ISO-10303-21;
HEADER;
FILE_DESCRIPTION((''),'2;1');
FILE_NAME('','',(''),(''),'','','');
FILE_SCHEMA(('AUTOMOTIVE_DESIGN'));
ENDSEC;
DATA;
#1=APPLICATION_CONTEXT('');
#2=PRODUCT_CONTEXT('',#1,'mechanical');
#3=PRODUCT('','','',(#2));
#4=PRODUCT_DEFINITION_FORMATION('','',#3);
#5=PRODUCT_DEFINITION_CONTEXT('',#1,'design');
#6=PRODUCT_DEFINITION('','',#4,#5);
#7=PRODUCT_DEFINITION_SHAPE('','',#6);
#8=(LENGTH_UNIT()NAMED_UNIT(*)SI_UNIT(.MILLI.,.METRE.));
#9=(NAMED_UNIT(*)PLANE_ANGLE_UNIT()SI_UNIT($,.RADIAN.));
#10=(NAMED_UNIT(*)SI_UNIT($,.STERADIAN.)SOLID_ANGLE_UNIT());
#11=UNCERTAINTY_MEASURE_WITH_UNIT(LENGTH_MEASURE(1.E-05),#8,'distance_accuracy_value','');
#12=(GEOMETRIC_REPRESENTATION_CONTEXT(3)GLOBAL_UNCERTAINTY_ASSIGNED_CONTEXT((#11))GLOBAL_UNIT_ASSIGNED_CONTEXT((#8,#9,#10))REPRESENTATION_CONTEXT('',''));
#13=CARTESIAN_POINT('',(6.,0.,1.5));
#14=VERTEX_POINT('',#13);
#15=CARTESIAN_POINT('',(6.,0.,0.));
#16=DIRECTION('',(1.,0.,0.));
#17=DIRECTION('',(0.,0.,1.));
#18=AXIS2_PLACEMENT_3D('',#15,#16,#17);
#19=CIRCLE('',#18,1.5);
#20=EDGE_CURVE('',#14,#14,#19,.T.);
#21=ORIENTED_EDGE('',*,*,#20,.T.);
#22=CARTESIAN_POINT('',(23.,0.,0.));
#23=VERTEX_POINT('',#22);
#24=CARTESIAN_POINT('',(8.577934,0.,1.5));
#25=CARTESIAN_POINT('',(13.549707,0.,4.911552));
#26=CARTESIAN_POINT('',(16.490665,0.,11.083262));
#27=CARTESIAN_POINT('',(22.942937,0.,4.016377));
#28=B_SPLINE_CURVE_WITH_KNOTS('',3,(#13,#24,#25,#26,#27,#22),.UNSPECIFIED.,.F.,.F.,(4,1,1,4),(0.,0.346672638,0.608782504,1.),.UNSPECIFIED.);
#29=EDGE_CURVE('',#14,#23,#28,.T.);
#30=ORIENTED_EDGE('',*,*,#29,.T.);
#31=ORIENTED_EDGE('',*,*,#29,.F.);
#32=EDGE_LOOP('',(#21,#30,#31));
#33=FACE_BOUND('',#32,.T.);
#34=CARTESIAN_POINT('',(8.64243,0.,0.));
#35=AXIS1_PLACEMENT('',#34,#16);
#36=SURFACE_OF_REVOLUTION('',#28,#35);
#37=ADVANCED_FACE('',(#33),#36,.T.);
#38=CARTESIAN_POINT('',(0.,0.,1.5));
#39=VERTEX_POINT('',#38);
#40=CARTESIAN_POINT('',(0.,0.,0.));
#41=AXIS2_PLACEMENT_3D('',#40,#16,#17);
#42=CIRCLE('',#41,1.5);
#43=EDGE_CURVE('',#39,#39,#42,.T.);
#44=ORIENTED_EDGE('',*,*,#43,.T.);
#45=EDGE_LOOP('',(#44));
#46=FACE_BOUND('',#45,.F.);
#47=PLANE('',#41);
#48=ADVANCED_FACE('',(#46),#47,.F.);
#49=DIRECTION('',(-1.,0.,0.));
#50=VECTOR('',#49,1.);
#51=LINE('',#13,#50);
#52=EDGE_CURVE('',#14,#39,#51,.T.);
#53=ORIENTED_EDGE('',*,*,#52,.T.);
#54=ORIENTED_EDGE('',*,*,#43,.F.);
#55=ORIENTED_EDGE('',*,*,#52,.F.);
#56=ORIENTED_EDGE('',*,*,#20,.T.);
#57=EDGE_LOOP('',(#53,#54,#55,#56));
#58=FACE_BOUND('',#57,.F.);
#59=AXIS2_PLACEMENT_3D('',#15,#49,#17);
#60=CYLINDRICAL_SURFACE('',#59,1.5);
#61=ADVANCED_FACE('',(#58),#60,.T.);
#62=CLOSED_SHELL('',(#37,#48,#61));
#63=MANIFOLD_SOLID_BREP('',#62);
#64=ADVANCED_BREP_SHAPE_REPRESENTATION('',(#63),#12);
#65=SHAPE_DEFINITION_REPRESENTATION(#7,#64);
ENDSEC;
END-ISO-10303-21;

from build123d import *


with BuildPart() as f1:
    # F0 (on Front) → F1 (revolve)
    with BuildSketch(Plane.XZ):
        with BuildLine():
            Line((0, 1.5), (0, 0))
            Line((0, 0), (23, 0))
            add(Edge.make_bspline(
                [(6, 1.5), (8.5779336897, 1.5), (13.5497065532, 4.911551734), (16.4906647586, 11.0832618448), (22.9429365294, 4.0163773013), (23, 0)],
                knots=[0, 0, 0, 0, 0.3466726383, 0.608782504, 1, 1, 1, 1], degree=3))
            Line((6, 1.5), (0, 1.5))
        make_face()
    revolve(axis=Axis((8.6424304172, 0, 0), (1, 0, 0)))


solid = f1.part
